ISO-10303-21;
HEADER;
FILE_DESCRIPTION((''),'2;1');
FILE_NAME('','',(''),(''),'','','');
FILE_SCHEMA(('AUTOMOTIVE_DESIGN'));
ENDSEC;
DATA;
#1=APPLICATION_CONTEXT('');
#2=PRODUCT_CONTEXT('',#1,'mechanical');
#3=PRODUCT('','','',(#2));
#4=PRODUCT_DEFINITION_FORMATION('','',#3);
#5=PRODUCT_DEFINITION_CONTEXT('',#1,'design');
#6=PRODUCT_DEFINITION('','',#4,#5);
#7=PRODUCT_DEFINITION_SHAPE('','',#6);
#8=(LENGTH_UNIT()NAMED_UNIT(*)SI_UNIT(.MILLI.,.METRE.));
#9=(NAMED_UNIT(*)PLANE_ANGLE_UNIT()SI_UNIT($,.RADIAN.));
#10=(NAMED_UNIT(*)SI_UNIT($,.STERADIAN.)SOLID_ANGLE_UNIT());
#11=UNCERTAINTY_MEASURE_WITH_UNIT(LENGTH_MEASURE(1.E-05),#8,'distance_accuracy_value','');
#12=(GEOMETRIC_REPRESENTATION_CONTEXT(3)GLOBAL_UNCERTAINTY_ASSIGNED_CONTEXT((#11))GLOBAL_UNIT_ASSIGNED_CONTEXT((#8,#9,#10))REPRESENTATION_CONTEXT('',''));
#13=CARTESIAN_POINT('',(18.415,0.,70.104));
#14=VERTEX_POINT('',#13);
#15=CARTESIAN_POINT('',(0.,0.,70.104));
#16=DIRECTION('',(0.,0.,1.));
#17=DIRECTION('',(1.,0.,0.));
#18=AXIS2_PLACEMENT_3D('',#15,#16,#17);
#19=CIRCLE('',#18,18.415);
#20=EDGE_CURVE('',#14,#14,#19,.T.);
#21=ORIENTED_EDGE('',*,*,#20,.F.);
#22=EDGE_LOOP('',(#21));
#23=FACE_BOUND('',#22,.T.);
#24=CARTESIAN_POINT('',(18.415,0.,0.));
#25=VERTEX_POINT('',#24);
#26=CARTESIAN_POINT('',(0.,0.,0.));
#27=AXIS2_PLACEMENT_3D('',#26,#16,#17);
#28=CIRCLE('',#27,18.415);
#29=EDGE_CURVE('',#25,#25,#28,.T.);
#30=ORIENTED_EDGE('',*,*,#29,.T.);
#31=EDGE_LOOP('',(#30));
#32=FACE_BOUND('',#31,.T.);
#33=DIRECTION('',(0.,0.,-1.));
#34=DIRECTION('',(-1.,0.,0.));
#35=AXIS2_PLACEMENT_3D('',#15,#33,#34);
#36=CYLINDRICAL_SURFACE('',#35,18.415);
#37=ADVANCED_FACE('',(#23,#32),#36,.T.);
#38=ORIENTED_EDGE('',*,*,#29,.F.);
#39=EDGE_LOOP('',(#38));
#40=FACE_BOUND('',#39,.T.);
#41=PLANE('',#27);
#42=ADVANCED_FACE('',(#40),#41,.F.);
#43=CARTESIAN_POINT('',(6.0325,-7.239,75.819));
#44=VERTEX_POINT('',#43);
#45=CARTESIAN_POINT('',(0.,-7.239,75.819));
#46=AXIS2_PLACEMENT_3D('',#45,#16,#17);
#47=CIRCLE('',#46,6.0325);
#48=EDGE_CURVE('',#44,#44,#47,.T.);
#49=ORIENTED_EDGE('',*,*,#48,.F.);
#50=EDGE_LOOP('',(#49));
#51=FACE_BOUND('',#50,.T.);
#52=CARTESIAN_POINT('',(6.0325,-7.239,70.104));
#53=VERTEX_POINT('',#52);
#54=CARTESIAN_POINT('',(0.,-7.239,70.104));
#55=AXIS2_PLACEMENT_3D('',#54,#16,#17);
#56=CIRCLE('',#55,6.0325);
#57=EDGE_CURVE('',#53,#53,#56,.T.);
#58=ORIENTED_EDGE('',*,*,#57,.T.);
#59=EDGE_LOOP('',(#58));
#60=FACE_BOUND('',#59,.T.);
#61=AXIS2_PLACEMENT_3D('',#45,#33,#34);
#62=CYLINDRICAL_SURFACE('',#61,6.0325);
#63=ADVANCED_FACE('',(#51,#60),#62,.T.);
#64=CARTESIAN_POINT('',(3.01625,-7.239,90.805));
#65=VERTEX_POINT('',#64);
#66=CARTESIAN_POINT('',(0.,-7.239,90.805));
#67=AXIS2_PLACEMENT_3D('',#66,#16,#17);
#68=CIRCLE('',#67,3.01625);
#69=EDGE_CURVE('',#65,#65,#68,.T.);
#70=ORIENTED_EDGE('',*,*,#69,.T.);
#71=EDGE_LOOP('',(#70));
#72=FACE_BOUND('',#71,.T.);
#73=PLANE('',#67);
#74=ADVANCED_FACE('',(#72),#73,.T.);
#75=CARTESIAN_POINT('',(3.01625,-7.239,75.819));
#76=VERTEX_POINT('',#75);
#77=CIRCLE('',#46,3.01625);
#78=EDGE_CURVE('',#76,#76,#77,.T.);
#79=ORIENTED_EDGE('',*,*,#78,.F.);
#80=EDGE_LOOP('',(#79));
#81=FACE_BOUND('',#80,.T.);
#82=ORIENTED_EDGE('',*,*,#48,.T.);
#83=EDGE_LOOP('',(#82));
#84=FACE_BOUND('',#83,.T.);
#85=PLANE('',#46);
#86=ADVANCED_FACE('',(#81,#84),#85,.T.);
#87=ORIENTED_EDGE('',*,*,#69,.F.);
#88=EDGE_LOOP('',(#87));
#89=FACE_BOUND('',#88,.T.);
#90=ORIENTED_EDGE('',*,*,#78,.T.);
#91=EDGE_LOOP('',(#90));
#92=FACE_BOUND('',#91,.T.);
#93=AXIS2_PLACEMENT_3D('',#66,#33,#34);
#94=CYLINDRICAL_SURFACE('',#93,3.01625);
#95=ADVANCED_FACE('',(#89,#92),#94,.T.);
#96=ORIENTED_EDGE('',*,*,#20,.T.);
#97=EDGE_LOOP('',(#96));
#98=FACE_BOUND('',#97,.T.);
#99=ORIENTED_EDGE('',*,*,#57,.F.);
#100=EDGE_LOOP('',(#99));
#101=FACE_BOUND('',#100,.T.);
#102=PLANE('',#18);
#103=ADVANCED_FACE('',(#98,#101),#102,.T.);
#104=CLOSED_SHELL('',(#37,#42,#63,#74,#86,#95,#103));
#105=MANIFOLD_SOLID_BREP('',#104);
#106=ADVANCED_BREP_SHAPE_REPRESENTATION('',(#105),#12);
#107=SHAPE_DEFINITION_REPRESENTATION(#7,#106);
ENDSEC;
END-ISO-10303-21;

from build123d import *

# Parameters (mm, degrees)
SKETCH2_R           = 18.415
BOSS_EXTRUDE1_DEPTH = 70.104
SKETCH3_R           = 6.0325
BOSS_EXTRUDE2_DEPTH = 5.715
SKETCH5_R           = 3.01625
BOSS_EXTRUDE3_DEPTH = 14.986


with BuildPart() as part:
    # Sketch2 → Boss-Extrude1 (new body)
    with BuildSketch(Plane.XY):
        Circle(SKETCH2_R)
    extrude(amount=BOSS_EXTRUDE1_DEPTH)

    # Sketch3 → Boss-Extrude2 (add)
    with BuildSketch(Plane.XY.offset(70.104)):
        with Locations((0, -7.239)):
            Circle(SKETCH3_R)
    extrude(amount=BOSS_EXTRUDE2_DEPTH)

    # Sketch5 → Boss-Extrude3 (add)
    with BuildSketch(Plane.XY.offset(75.819)):
        with Locations((0, -7.239)):
            Circle(SKETCH5_R)
    extrude(amount=BOSS_EXTRUDE3_DEPTH)


solid = part.part
